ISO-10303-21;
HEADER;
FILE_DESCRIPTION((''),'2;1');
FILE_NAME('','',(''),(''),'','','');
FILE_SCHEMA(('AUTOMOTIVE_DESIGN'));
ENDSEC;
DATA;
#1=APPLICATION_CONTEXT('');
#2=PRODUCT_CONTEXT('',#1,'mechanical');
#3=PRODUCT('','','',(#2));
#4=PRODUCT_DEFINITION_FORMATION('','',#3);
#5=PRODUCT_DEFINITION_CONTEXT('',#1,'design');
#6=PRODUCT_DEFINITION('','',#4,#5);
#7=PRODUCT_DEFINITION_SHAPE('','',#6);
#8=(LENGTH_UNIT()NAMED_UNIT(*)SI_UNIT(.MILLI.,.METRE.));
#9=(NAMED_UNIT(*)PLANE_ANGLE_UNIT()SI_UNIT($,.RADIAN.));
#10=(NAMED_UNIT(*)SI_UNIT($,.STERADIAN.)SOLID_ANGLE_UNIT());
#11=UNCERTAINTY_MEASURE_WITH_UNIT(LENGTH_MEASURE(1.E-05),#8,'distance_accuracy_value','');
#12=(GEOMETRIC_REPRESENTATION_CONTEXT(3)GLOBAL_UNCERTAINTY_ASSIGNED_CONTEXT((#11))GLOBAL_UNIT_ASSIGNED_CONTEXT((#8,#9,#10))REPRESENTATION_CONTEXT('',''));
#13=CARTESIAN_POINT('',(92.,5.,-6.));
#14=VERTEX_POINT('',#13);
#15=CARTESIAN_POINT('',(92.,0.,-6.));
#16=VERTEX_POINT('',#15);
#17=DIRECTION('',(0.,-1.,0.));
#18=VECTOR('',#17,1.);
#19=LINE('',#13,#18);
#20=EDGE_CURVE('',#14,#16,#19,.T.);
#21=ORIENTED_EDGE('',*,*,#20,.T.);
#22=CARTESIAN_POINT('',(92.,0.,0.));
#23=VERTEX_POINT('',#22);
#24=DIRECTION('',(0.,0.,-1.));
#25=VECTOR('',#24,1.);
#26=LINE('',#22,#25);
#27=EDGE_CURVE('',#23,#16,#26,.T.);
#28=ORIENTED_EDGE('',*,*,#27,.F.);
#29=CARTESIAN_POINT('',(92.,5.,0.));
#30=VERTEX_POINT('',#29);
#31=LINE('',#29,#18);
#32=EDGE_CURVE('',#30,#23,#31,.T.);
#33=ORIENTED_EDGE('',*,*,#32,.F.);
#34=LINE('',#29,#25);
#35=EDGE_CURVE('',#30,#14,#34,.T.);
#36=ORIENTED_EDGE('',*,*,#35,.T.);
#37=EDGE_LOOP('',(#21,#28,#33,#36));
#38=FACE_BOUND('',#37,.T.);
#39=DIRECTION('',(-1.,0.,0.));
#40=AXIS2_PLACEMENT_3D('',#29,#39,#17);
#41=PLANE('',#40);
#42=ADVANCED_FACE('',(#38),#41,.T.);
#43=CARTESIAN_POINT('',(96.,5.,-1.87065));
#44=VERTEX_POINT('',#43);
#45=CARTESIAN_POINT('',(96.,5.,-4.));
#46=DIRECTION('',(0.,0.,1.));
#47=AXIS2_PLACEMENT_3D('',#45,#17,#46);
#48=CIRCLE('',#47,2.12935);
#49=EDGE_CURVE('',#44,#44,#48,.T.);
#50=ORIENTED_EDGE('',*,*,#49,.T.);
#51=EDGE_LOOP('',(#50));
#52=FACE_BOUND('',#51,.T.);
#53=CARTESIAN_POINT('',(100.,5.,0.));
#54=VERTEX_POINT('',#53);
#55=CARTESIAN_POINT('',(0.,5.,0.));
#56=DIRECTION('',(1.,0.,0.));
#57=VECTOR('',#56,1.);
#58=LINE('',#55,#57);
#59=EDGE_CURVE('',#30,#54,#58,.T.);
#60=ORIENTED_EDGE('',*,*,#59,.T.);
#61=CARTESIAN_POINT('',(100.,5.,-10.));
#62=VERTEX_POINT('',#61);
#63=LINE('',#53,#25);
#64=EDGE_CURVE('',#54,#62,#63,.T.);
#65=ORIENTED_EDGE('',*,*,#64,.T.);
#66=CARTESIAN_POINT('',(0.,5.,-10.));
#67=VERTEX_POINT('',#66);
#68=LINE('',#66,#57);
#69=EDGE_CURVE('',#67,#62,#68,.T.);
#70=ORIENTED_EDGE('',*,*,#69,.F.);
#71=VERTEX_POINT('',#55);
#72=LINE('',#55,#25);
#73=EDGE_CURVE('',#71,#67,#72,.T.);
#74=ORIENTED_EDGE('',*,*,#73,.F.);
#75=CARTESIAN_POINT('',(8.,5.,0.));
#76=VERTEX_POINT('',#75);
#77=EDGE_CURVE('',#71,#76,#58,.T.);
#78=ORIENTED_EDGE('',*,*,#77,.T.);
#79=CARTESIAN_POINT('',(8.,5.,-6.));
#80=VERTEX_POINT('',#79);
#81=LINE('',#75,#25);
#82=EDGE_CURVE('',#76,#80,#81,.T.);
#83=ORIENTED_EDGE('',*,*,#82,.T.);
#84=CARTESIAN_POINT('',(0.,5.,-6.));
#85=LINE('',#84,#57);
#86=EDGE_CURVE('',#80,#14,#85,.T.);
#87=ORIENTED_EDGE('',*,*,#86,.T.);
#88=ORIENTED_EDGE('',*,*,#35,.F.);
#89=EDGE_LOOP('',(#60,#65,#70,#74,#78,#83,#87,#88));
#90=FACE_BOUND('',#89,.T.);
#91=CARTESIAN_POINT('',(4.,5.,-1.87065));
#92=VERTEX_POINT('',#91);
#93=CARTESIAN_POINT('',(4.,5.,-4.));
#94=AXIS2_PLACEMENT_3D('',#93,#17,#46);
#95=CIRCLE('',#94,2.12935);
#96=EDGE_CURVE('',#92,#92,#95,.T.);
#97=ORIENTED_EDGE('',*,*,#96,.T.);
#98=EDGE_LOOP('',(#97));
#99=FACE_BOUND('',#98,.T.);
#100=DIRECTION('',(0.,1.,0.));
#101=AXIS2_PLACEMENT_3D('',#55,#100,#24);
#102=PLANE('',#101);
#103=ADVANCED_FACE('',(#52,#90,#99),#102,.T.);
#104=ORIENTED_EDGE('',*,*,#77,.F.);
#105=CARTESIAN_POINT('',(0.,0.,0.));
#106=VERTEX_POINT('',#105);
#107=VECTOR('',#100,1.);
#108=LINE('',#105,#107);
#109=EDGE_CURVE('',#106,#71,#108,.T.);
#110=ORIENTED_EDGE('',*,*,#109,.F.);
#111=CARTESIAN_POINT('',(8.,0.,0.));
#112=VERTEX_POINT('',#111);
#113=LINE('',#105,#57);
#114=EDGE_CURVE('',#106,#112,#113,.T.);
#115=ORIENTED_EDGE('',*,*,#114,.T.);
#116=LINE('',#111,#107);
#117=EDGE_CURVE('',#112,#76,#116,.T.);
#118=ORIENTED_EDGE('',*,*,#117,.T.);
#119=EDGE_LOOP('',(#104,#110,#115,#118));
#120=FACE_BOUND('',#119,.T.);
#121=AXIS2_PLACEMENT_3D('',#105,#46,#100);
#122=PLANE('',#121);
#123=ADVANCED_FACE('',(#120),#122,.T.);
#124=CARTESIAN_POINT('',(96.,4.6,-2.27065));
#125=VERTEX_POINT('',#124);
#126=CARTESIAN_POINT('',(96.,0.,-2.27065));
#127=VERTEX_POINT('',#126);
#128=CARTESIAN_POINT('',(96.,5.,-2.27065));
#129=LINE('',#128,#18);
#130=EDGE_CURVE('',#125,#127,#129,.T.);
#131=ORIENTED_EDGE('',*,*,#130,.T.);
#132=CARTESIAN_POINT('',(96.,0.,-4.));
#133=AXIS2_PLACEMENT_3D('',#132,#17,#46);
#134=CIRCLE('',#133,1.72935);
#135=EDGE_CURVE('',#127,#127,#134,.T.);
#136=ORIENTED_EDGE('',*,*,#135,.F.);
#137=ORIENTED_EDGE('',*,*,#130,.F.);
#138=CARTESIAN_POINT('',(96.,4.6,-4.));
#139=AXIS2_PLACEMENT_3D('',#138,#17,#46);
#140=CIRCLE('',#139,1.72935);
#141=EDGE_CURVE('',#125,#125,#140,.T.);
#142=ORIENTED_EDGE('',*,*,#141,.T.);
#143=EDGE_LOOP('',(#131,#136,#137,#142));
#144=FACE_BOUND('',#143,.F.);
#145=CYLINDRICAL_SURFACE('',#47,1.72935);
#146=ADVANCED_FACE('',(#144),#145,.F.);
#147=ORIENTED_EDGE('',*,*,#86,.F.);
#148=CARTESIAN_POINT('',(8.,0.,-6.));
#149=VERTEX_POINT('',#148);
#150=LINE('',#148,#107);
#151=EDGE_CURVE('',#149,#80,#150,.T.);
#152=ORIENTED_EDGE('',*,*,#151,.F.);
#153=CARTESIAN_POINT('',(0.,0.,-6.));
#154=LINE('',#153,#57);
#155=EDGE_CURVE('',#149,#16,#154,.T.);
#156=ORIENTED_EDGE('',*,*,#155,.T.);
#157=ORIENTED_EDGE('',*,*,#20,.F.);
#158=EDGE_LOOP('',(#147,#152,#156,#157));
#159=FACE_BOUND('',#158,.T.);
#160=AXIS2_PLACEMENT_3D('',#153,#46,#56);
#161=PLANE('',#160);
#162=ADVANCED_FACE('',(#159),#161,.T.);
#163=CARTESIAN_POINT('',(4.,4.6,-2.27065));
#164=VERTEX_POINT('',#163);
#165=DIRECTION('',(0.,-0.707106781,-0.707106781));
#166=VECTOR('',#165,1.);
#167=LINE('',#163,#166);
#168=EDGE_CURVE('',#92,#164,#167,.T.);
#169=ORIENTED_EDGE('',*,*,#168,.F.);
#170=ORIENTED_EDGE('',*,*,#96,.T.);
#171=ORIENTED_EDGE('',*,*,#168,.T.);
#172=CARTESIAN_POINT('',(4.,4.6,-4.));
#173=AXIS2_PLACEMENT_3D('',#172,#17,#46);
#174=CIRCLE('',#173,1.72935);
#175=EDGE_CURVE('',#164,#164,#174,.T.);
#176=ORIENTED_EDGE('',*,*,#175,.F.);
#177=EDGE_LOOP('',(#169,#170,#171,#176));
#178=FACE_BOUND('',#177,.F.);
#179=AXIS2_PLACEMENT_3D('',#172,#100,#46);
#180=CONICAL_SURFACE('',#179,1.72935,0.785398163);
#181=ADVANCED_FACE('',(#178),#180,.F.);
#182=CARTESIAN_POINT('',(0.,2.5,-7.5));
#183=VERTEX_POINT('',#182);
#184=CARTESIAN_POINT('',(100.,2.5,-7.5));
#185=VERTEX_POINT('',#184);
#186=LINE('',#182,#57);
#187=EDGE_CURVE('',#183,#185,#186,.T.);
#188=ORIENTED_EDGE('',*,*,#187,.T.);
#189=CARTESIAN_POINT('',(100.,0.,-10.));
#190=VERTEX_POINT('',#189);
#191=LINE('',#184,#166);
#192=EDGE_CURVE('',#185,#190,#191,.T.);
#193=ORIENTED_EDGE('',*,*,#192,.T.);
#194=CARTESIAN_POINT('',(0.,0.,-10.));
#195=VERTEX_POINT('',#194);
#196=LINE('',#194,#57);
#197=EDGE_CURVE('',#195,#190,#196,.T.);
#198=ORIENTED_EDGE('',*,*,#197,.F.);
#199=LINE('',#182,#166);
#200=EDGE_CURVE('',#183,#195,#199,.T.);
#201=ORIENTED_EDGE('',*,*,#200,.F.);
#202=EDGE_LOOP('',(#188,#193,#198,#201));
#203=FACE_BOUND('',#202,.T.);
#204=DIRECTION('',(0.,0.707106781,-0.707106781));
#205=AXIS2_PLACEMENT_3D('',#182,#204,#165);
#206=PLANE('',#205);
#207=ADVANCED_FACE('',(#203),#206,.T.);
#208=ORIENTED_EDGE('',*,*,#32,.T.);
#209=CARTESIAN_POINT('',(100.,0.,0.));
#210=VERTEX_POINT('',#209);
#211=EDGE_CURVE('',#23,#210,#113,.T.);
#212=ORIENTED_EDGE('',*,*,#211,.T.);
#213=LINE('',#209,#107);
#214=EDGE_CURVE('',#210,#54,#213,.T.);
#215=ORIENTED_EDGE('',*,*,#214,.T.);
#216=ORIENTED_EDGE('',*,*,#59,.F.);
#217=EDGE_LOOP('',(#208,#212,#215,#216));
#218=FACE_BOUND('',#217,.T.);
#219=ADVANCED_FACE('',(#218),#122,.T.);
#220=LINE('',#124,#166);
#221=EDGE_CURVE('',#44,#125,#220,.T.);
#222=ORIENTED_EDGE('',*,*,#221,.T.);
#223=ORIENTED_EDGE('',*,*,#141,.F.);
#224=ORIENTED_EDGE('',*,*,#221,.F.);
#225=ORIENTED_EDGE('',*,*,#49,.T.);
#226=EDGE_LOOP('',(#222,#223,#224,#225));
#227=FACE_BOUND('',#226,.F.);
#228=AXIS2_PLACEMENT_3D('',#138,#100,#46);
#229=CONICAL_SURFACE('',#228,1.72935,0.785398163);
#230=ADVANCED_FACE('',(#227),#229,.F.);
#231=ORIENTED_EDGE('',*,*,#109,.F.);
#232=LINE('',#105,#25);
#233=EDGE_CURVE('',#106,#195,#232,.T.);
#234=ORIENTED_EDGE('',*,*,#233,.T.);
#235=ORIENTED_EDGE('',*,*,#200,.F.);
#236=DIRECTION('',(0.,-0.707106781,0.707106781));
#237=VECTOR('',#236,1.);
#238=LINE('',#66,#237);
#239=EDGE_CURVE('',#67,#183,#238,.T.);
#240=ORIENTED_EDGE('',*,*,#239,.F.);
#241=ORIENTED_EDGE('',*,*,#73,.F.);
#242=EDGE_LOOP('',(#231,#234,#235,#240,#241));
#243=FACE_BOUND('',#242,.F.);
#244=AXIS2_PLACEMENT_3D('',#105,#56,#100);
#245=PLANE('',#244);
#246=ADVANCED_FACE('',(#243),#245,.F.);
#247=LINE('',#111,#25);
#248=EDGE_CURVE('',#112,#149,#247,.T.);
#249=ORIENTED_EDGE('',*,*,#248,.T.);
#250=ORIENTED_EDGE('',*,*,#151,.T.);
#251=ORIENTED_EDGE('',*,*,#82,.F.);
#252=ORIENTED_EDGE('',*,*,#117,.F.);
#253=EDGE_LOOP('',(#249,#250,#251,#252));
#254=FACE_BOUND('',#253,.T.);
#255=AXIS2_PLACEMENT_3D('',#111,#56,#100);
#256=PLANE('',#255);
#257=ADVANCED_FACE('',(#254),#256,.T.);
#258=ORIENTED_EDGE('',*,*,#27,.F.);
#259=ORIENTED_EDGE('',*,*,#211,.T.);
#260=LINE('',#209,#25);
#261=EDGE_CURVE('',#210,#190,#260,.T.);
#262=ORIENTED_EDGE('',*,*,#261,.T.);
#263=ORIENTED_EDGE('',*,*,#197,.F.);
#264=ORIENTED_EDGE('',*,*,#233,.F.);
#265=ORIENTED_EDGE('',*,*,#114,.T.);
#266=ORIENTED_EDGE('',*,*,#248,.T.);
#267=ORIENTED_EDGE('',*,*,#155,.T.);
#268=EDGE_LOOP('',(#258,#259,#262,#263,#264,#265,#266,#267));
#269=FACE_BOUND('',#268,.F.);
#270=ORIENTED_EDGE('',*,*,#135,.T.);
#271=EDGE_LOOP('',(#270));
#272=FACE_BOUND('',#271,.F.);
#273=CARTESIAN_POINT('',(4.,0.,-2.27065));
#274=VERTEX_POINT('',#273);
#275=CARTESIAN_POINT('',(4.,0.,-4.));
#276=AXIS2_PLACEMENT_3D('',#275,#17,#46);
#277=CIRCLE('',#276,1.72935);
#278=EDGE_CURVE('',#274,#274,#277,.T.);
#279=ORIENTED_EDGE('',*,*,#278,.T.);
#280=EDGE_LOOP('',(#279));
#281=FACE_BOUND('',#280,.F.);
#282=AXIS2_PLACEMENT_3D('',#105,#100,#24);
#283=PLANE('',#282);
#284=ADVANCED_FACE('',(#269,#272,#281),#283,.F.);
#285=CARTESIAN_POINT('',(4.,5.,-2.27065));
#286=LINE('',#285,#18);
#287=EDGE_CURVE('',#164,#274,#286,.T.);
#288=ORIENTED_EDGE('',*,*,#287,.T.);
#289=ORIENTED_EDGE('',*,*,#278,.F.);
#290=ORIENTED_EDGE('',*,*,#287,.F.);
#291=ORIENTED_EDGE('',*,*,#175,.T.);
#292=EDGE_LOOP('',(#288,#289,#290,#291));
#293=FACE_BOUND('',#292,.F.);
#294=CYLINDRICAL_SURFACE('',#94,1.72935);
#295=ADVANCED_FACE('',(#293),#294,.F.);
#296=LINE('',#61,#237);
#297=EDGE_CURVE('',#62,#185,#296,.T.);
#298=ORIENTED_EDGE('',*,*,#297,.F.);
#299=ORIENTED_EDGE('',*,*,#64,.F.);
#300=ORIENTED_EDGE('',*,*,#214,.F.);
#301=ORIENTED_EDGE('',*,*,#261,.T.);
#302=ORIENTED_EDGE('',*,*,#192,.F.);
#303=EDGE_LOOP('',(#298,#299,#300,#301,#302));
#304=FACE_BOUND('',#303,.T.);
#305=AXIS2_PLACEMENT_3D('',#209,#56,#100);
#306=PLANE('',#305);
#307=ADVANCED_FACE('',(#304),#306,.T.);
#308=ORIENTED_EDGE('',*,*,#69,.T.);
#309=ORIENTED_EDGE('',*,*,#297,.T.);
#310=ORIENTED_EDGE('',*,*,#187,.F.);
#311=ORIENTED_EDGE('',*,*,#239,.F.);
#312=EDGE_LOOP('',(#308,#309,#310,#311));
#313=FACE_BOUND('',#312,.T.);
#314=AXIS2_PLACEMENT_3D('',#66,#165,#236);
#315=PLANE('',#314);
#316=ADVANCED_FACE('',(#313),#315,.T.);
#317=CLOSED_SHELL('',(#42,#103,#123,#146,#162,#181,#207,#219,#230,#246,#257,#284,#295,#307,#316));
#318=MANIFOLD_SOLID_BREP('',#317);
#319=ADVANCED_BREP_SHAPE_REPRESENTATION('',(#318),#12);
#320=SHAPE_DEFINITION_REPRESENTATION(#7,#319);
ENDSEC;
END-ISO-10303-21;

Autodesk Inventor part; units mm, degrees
ref_plane "YZ Plane" through (0, 0, 0) normal (1, 0, 0) x (0, 1, 0)
ref_plane "XZ Plane" through (0, 0, 0) normal (0, 1, 0) x (-1, 0, 0)
ref_plane "XY Plane" through (0, 0, 0) normal (0, 0, 1) x (1, 0, 0)
sketch "Sketch1" plane through (0, 0, 0) normal (1, 0, 0) x (0, 1, 0)
  line L0 (0, 0) -> (5, 0)
  line L1 (5, 0) -> (5, -10)
  line L2 (5, -10) -> (2.5, -7.5)
  line L3 (2.5, -7.5) -> (0, -10)
  line L4 (0, 0) -> (0, -10)
  line L5 (2.5, -7.5) -> (2.5, -12.5) construction
  circle A0 centre (2.5, -10.3284) radius 2 construction
  line L6 (2.5, -10.3284) -> (1.25, -10.3284) construction
  line L7 (5, -10.6569) -> (2.5, -13.1569) construction
  line L8 (2.5, -13.1569) -> (0, -10.6569) construction
  dimension "d0" = 5
  dimension "d3" = 10
  dimension "d4" = 4
  dimension "d33" = 0.6569
  dimension "d34" = 5.6569
  dimension "d35" = 2.8284
extrude "Extrusion1" add sketch "Sketch1" along normal blind 100
sketch "Sketch2" plane through (0, 5, 0) normal (0, 1, 0) x (1, 0, 0)
  line L0 (0, 10) -> (0, 0) construction
  line L1 (0, 0) -> (100, 0) construction
  line L2 (0, 10) -> (100, 10) construction
  line L3 (4, 0) -> (4, 10) construction
  line L4 (50, 0) -> (50, 15) construction
  circle A0 centre (4, 4) radius 2
  circle A1 centre (96, 4) radius 2
  point P0 (0, 5)
  dimension "d8" = 10
  dimension "d10" = 4
  dimension "d12" = 15
  dimension "d13" = 50
  dimension "d14" = 4
  dimension "d15" = 4
hole "Hole1" at (4, 5, -4) direction (0, -1, 0) diameter 3.4587 end through all thread size "M4x0.5" class "6H" standard "ISO Metric profile"
hole "Hole2" at (96, 5, -4) direction (0, -1, 0) diameter 3.4587 end through all thread size "M4x0.5" class "6H" standard "ISO Metric profile"
chamfer "Chamfer2" distance 0.4 angle 45 2 edges at (4, 5, -5.7294) (96, 5, -5.7294)
sketch "Sketch3" plane through (0, 0, 0) normal (0, 0, 1) x (1, 0, 0)
  line L0 (0, 5) -> (100, 5) projected
  line L1 (0, 0) -> (100, 0) projected
  line L2 (8, 5) -> (92, 5)
  line L3 (92, 5) -> (92, 0)
  line L4 (92, 0) -> (8, 0)
  line L5 (8, 0) -> (8, 5)
  line L6 (0, 5) -> (0, 0) projected
  point P0 (0, 2.5)
  point P1 (8, 0)
  point P2 (92, 5)
  dimension "d39" = 84
  dimension "d40" = 8
extrude "Extrusion2" cut sketch "Sketch3" against normal blind 6 contours L0 L3 L1 L5
properties part number "K-tor-kulek-blatu" material "Steel, High Strength, Low Alloy"
